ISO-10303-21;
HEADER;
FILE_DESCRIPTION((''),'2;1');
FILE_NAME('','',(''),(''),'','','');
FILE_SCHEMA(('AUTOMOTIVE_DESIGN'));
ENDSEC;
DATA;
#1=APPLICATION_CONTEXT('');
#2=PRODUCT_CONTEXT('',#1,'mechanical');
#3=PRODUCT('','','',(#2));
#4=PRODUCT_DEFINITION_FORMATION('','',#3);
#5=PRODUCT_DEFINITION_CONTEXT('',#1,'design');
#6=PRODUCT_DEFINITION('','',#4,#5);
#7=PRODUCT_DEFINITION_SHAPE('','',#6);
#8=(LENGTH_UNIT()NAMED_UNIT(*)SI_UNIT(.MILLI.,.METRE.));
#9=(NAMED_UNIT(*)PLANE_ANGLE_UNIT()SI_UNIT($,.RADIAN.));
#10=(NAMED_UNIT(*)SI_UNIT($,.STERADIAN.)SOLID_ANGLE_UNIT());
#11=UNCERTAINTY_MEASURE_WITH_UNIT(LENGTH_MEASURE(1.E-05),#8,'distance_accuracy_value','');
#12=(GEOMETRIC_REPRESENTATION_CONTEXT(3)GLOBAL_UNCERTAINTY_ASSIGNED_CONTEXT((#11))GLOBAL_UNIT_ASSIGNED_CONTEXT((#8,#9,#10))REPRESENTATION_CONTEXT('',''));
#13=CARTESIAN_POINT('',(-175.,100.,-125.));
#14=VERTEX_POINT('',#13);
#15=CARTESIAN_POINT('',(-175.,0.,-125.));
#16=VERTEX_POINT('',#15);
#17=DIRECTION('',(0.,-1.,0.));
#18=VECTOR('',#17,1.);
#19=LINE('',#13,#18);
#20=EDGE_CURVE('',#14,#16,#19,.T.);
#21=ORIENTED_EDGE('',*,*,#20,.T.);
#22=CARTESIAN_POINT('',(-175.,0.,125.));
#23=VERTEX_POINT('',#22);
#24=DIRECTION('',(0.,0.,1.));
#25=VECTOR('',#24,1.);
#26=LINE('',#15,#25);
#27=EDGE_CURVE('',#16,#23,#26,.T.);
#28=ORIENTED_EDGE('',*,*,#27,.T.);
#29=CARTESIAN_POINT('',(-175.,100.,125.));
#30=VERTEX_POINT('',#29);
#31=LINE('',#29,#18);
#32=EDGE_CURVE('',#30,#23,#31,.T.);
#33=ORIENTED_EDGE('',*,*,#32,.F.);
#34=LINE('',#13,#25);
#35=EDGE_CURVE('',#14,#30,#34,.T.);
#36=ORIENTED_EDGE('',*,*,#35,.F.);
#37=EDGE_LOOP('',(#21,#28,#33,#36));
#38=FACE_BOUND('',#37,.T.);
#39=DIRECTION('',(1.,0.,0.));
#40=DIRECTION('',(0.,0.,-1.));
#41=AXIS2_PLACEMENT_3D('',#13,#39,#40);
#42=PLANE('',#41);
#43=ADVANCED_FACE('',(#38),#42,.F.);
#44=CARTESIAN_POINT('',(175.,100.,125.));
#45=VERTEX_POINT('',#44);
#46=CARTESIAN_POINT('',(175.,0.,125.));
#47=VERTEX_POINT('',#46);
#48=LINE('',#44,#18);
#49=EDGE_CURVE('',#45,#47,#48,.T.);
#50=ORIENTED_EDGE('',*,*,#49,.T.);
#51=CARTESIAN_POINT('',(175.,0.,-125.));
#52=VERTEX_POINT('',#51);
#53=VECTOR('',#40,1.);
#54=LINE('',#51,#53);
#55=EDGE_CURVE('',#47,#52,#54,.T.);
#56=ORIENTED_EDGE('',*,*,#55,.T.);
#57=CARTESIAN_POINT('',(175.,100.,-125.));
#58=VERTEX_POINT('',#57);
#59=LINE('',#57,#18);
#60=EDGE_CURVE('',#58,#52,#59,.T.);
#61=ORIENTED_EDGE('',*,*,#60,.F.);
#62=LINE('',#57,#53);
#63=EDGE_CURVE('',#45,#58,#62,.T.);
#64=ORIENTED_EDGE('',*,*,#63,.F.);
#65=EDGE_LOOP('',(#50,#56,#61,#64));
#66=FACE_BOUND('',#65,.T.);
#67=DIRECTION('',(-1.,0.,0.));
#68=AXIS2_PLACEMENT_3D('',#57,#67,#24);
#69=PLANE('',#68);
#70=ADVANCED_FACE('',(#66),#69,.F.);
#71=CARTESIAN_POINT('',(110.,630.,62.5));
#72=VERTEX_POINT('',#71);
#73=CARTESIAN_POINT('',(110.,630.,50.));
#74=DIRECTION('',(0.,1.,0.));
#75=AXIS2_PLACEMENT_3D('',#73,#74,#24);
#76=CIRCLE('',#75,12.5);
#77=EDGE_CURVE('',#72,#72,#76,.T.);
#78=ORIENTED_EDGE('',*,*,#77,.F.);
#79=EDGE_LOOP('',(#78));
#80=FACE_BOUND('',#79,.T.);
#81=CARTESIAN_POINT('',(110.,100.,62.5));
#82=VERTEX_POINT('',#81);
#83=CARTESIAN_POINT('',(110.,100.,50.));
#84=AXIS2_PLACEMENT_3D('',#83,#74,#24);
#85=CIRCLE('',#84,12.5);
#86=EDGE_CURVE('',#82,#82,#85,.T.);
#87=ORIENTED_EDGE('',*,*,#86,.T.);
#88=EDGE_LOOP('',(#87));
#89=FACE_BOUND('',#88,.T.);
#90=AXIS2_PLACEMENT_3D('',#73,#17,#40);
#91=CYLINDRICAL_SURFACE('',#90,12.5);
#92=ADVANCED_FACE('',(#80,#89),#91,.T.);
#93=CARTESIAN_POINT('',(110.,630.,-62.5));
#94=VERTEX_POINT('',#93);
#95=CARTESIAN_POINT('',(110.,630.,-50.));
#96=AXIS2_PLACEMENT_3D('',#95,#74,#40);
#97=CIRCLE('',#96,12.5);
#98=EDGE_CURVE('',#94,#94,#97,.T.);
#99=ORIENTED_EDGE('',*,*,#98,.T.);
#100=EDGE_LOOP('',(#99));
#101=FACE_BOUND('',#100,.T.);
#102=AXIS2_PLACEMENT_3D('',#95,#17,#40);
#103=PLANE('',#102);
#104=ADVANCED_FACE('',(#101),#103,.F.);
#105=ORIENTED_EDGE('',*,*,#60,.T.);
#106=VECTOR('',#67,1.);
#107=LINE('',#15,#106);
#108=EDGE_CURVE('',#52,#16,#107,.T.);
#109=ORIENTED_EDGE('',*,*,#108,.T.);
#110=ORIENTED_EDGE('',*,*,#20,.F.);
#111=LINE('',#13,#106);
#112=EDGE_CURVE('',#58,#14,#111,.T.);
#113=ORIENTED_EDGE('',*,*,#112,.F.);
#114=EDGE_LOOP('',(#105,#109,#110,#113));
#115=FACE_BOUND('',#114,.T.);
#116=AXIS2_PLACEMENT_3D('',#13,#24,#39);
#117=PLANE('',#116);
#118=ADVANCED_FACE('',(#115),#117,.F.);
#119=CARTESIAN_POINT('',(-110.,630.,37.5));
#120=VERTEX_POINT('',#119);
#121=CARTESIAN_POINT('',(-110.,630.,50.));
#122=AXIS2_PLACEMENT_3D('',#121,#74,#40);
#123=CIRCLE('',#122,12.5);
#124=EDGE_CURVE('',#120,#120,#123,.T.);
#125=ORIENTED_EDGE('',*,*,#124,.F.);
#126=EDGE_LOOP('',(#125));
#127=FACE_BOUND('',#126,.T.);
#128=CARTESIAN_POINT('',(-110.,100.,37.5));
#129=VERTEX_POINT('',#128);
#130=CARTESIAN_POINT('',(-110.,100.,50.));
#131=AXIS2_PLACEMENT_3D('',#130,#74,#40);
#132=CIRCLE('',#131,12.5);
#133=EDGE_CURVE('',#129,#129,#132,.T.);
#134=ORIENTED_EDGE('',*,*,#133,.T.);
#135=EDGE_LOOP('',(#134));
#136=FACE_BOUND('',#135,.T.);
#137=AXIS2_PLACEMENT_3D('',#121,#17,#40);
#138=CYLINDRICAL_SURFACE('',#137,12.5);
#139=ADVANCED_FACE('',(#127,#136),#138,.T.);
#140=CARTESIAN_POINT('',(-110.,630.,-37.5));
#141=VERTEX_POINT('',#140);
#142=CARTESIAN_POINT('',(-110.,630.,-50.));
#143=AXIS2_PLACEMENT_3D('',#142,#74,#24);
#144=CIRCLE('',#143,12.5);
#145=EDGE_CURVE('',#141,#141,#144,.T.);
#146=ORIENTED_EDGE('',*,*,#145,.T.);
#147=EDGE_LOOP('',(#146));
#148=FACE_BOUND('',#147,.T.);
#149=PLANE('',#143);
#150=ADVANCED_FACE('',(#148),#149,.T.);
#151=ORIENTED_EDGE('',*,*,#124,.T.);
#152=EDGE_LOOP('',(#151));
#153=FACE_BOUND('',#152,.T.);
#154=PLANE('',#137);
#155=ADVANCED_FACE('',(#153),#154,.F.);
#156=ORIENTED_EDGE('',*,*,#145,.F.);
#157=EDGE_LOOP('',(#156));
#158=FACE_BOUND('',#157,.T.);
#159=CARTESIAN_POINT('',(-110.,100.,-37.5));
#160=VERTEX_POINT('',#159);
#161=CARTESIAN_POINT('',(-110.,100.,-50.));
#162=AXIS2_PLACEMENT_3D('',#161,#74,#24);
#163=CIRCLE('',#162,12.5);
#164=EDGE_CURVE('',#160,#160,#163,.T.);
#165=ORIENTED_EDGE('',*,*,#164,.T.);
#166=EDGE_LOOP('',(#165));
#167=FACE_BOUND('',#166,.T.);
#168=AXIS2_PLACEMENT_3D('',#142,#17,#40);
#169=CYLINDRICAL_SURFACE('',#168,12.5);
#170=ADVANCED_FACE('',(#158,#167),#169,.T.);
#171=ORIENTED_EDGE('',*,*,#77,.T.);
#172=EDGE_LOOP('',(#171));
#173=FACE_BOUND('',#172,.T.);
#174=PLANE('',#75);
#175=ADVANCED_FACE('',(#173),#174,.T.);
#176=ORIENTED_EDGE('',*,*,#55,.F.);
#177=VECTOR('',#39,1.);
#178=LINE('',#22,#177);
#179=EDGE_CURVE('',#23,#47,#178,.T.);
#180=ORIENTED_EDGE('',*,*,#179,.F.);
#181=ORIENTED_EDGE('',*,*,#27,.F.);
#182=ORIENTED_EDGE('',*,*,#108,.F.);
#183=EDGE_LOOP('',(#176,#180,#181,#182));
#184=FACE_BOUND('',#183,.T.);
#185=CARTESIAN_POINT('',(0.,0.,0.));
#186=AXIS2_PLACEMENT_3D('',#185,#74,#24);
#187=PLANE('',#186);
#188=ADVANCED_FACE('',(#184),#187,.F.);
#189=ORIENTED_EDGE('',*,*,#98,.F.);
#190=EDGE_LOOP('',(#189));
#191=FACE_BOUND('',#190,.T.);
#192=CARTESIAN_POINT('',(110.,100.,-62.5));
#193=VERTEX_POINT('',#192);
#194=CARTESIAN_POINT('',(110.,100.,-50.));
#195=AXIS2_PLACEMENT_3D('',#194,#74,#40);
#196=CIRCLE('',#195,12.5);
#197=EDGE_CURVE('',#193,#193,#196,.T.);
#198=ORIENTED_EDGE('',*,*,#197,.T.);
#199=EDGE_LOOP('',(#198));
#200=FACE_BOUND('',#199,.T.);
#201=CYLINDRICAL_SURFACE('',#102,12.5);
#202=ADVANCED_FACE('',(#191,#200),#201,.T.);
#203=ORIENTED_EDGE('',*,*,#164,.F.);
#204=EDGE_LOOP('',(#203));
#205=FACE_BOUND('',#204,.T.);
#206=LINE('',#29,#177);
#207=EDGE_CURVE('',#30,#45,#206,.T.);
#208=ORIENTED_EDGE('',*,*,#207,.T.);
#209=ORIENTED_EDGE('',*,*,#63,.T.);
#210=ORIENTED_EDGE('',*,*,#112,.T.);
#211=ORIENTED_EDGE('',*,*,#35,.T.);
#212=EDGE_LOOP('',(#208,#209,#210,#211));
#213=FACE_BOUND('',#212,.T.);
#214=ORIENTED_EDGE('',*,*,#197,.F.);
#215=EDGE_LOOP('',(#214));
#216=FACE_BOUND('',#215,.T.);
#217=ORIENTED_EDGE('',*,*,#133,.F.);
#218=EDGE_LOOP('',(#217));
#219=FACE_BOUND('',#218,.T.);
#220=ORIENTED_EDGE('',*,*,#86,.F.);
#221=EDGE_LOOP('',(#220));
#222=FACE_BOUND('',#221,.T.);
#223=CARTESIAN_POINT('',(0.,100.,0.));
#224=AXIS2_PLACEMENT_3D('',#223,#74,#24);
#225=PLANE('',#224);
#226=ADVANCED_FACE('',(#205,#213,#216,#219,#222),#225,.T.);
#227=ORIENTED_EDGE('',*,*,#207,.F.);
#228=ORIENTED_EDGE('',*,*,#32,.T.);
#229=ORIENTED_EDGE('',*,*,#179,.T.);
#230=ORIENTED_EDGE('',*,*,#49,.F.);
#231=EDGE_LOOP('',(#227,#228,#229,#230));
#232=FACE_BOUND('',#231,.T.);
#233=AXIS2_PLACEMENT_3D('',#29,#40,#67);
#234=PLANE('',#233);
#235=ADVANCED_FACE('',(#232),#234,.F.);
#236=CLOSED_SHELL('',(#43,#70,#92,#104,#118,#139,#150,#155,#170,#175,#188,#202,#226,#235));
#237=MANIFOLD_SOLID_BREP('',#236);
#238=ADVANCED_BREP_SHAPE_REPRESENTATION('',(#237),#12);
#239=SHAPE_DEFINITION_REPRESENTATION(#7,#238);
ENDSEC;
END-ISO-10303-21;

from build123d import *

# Parameters (mm, degrees)
SKETCH1_W           = 350
SKETCH1_H           = 250
BOSS_EXTRUDE1_DEPTH = 100
SKETCH3_R           = 12.5
BOSS_EXTRUDE2_DEPTH = 530


with BuildPart() as part:
    # Sketch1 → Boss-Extrude1 (new body)
    with BuildSketch(Plane(origin=(0, 0, 0), x_dir=(1, 0, 0), z_dir=(0, 1, 0))):
        Rectangle(SKETCH1_W, SKETCH1_H)
    extrude(amount=BOSS_EXTRUDE1_DEPTH)

    # Sketch3 → Boss-Extrude2 (add)
    with BuildSketch(Plane(origin=(0, 100, 0), x_dir=(1, 0, 0), z_dir=(0, 1, 0))):
        with Locations((-110, 50)):
            Circle(SKETCH3_R)
        with Locations((110, 50)):
            Circle(SKETCH3_R)
        with Locations((110, -50)):
            Circle(SKETCH3_R)
        with Locations((-110, -50)):
            Circle(SKETCH3_R)
    extrude(amount=BOSS_EXTRUDE2_DEPTH)


solid = part.part
